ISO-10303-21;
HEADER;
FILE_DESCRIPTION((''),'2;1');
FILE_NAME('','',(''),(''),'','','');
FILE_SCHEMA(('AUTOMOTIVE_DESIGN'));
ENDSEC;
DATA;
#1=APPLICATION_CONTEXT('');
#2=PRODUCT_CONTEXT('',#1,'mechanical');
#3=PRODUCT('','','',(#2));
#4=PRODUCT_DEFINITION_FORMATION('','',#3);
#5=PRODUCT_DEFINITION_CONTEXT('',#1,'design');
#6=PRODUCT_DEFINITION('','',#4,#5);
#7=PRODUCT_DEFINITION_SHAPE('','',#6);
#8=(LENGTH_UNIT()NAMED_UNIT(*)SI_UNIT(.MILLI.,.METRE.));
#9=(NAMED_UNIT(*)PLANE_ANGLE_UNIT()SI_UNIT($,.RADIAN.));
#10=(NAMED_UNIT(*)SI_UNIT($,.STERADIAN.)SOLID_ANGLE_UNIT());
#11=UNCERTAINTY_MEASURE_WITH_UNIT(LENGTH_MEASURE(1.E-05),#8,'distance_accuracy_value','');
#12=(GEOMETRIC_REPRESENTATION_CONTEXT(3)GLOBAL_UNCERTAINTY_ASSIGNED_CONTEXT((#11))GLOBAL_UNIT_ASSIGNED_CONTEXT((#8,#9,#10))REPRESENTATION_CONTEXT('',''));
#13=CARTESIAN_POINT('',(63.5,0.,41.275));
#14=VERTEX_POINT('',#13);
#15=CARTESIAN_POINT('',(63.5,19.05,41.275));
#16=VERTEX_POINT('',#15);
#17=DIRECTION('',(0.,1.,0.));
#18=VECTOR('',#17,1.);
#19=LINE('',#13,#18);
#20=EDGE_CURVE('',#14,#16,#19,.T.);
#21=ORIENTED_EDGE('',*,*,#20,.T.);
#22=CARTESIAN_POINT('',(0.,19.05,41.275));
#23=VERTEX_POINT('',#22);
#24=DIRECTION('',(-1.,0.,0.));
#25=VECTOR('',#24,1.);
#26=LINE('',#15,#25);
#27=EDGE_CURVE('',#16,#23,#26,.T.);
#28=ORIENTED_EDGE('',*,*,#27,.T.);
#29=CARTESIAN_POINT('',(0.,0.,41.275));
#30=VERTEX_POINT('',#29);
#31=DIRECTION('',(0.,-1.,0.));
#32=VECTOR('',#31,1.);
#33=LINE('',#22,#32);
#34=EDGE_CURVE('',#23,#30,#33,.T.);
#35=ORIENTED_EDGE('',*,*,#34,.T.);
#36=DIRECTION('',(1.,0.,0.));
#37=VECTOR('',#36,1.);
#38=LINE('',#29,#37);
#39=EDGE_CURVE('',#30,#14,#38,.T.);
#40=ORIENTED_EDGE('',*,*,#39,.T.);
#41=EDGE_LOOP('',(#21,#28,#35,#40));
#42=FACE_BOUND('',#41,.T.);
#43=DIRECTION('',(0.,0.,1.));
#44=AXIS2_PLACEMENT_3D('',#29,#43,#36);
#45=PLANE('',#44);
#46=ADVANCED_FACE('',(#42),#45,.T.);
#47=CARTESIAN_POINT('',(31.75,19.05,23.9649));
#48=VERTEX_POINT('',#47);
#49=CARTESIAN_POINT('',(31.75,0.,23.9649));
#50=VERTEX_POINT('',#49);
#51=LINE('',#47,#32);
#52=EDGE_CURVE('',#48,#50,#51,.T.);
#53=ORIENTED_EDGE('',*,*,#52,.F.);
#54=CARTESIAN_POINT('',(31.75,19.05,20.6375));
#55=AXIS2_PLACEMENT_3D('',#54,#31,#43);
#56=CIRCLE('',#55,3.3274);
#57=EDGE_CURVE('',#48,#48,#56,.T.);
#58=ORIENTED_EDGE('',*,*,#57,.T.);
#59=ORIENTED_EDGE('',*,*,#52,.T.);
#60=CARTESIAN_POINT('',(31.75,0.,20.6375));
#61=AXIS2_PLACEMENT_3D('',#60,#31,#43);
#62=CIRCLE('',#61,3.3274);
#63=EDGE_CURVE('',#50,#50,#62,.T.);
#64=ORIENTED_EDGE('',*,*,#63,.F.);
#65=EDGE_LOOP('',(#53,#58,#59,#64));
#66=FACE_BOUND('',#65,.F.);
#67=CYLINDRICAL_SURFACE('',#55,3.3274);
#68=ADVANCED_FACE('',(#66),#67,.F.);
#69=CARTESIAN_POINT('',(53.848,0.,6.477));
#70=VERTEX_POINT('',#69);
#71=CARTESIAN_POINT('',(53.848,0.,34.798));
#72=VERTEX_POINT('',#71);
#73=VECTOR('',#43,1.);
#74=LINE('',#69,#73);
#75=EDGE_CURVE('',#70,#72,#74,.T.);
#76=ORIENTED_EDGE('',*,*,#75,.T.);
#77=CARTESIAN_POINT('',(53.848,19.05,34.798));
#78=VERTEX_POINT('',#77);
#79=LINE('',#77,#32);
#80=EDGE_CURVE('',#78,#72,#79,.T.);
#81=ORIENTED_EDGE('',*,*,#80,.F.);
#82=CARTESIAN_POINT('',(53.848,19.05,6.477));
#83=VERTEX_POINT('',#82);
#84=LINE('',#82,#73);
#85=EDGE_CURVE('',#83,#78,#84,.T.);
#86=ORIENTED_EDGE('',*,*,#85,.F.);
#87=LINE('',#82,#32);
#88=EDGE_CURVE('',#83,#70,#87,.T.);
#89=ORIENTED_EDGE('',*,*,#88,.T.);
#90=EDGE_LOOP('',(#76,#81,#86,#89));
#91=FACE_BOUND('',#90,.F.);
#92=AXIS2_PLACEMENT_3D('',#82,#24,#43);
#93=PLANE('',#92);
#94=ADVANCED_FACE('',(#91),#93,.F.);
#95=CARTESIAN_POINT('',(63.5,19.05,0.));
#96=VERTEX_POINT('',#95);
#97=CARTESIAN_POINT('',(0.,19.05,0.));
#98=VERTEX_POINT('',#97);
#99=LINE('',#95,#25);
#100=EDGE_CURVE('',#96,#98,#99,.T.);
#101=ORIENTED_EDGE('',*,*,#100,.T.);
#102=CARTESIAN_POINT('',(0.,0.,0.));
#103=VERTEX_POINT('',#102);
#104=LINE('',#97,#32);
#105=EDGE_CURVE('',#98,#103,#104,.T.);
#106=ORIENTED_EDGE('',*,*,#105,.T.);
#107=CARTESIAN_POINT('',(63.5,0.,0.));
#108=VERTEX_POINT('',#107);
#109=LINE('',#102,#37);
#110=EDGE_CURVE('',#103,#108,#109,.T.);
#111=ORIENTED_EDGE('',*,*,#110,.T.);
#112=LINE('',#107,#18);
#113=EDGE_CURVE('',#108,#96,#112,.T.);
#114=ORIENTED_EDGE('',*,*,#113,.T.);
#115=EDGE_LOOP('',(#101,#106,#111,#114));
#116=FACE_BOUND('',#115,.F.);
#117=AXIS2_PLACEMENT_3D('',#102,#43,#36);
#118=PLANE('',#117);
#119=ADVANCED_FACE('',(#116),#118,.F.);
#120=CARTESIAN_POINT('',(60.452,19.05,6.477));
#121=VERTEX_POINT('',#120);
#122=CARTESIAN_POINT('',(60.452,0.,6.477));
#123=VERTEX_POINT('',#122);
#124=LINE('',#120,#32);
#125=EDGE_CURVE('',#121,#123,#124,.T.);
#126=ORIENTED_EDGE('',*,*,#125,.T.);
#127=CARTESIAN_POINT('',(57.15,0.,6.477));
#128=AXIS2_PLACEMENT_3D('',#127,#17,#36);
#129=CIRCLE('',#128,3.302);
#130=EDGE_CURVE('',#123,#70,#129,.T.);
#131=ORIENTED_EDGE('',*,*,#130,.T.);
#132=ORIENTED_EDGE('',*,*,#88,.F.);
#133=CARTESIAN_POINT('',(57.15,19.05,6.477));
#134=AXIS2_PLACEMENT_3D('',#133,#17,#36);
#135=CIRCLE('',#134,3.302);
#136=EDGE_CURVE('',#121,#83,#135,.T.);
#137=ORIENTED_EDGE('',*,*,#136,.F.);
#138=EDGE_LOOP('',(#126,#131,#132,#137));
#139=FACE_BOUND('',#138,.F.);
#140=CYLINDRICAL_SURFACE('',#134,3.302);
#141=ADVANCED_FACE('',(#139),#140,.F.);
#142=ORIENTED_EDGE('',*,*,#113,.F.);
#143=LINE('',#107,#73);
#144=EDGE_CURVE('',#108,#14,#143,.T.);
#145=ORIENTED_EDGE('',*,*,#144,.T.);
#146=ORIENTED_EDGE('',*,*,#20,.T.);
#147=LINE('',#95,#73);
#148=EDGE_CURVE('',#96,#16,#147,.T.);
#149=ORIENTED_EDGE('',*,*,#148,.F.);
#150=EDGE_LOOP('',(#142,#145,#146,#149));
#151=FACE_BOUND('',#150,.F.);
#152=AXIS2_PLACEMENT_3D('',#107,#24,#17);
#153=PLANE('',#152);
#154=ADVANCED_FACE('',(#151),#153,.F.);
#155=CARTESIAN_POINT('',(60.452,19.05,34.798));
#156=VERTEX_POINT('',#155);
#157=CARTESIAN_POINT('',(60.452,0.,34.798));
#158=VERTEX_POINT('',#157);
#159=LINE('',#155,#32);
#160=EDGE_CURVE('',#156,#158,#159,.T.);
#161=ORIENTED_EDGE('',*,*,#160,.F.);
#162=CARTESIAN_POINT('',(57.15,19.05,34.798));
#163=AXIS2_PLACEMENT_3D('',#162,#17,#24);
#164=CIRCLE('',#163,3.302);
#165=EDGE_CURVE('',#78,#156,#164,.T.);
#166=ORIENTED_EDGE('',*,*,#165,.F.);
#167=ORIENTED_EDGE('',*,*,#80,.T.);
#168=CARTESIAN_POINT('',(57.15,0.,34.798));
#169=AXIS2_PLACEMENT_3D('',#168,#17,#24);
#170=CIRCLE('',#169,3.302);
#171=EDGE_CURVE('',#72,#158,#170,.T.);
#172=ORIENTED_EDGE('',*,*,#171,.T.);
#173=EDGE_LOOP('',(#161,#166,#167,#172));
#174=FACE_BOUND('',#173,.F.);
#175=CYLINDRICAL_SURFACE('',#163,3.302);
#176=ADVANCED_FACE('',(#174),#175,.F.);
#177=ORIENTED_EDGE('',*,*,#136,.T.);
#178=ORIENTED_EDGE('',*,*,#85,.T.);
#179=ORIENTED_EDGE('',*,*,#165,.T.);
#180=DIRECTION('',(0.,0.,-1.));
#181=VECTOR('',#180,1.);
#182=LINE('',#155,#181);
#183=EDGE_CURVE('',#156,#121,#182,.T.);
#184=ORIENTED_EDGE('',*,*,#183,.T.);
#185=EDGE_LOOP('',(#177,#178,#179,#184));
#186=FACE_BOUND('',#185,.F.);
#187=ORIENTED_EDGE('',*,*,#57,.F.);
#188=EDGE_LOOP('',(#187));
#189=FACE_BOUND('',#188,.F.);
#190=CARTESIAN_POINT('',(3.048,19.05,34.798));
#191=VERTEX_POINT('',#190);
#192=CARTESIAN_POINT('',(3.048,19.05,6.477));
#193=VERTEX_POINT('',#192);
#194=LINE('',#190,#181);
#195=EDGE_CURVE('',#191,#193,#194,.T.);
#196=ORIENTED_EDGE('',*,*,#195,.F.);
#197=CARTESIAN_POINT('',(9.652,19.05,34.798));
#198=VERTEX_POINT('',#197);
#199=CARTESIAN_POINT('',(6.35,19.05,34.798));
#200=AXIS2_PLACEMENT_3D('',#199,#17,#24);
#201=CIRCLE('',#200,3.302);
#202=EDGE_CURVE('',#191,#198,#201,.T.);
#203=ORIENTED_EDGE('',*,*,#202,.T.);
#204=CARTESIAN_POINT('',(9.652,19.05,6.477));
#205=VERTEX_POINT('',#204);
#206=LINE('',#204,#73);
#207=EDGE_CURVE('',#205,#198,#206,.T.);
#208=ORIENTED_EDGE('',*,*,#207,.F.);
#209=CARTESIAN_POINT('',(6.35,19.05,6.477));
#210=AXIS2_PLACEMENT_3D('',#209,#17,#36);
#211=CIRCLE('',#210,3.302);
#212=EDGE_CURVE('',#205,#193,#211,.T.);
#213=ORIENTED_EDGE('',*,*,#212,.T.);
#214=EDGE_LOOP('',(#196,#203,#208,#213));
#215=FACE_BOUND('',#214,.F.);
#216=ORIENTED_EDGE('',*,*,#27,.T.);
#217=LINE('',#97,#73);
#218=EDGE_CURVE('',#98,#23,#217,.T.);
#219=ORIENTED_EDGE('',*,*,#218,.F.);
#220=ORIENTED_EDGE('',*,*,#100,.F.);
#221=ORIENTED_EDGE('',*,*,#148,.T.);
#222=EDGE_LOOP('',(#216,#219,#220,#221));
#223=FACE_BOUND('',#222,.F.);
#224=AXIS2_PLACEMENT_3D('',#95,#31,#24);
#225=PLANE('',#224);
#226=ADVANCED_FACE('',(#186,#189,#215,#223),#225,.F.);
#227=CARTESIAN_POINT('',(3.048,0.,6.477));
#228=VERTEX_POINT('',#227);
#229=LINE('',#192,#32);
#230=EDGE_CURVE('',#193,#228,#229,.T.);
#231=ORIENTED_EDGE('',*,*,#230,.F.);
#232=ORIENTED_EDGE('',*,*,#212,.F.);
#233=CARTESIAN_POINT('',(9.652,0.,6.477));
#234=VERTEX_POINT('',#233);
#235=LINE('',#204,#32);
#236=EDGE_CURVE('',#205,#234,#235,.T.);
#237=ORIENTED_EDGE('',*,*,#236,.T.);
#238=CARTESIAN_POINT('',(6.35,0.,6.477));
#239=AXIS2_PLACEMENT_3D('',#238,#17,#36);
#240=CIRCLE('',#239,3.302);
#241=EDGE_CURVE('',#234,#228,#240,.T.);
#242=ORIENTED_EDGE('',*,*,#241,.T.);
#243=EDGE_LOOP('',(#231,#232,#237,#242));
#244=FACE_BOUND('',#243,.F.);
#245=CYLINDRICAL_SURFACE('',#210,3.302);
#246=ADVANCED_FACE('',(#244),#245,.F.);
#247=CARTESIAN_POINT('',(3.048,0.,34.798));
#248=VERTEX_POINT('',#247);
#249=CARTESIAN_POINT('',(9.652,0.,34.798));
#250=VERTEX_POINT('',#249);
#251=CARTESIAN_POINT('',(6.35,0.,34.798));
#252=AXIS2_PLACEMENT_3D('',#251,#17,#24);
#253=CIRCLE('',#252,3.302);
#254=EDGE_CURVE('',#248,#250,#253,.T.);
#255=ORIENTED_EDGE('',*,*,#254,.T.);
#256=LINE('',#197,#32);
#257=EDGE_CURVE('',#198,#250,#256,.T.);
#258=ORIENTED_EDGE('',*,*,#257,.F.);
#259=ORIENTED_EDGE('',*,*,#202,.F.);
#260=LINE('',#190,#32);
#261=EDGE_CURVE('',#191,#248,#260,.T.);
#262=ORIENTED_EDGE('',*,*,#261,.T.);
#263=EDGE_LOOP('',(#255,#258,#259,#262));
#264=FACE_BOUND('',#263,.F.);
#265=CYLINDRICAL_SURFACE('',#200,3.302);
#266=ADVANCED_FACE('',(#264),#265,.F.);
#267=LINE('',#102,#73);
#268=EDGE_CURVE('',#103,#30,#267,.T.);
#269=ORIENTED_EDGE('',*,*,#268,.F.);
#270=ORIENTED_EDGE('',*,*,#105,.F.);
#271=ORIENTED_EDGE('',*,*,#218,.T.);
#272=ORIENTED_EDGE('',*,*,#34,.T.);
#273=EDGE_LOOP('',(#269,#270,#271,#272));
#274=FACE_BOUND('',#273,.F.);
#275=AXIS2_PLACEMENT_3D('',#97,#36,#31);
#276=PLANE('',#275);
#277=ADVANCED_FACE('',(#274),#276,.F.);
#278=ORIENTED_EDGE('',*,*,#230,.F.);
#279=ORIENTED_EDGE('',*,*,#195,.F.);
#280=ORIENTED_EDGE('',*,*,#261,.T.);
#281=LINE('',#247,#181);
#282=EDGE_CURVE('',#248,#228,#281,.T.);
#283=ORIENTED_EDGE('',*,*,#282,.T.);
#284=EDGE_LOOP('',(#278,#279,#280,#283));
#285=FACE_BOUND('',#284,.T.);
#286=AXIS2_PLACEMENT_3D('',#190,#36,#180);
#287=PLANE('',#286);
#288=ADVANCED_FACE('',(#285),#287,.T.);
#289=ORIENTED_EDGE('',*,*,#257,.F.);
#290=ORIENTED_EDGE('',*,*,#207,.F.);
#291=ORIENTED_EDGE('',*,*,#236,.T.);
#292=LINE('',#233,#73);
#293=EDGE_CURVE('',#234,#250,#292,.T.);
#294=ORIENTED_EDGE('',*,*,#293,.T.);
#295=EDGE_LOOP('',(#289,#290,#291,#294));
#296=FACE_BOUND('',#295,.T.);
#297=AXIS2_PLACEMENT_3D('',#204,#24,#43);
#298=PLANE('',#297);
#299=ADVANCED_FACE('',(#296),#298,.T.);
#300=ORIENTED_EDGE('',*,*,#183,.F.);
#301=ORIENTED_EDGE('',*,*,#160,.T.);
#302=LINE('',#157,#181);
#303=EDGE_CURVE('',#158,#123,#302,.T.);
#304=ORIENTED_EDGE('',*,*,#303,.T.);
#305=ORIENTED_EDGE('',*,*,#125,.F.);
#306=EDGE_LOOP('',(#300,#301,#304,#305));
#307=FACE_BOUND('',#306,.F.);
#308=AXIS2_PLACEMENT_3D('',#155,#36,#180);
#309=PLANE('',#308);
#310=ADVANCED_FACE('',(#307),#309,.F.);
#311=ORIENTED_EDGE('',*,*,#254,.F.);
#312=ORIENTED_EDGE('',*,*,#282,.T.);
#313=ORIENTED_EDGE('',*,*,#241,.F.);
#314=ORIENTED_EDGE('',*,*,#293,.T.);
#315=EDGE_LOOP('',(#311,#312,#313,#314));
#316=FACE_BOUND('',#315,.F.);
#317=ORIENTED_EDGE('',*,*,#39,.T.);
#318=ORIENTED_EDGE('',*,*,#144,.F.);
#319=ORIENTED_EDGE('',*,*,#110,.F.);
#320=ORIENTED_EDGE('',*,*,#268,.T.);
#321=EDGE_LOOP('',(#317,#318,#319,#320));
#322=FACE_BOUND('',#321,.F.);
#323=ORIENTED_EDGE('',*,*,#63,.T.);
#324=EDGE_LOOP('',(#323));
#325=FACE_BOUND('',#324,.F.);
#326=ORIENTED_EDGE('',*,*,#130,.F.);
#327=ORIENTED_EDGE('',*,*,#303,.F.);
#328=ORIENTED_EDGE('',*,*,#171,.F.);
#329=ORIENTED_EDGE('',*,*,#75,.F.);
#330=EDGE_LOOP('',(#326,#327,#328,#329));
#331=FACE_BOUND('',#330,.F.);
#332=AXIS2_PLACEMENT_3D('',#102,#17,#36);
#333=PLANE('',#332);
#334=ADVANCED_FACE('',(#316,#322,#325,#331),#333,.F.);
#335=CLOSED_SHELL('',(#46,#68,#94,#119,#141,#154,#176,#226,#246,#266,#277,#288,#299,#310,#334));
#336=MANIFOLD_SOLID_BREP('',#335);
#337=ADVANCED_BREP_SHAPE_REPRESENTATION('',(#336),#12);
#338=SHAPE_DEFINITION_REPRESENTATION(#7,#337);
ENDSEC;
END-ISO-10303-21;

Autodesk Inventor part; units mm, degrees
ref_plane "YZ Plane" through (0, 0, 0) normal (1, 0, 0) x (0, 1, 0)
ref_plane "XZ Plane" through (0, 0, 0) normal (0, 1, 0) x (-1, 0, 0)
ref_plane "XY Plane" through (0, 0, 0) normal (0, 0, 1) x (1, 0, 0)
sketch "Sketch1" plane through (0, 0, 0) normal (0, 0, 1) x (1, 0, 0)
  line L0 (0, 0) -> (63.5, 0)
  line L1 (63.5, 0) -> (63.5, 19.05)
  line L2 (63.5, 19.05) -> (0, 19.05)
  line L3 (0, 19.05) -> (0, 0)
  dimension "d2" = 63.5
  dimension "d3" = 19.05
extrude "Stock Block" add sketch "Sketch1" along normal blind 41.275
sketch "Sketch2" plane through (0, 19.05, 0) normal (0, 1, 0) x (1, 0, 0)
  line L0 (63.5, 0) -> (0, 0) projected
  line L1 (0, 0) -> (0, -41.275) projected
  point P0 (31.75, -20.6375)
  dimension "d4" = 20.6375
  dimension "d5" = 31.75
hole "Mounting Hole" at (31.75, 19.05, 20.6375) direction (0, -1, 0) diameter 6.6548 end through all
sketch "Sketch3" plane through (0, 19.05, 0) normal (0, 1, 0) x (1, 0, 0)
  line L0 (6.35, -34.798) -> (6.35, -6.477) construction
  line L1 (3.048, -34.798) -> (3.048, -6.477)
  line L2 (9.652, -6.477) -> (9.652, -34.798)
  arc A0 (3.048, -34.798) -> (9.652, -34.798) centre (6.35, -34.798) ccw
  arc A1 (9.652, -6.477) -> (3.048, -6.477) centre (6.35, -6.477) ccw
  line L3 (0, 0) -> (0, -41.275) projected
  line L4 (63.5, -41.275) -> (0, -41.275) projected
  line L5 (63.5, 0) -> (0, 0) projected
  circle A2 centre (31.75, -20.6375) radius 3.3274 projected
  line L6 (31.75, -20.6375) -> (31.75, 0) construction
  line L7 (57.15, -34.798) -> (57.15, -6.477) construction
  line L8 (60.452, -34.798) -> (60.452, -6.477)
  line L9 (53.848, -6.477) -> (53.848, -34.798)
  arc A3 (53.848, -34.798) -> (60.452, -34.798) centre (57.15, -34.798) ccw
  arc A4 (60.452, -6.477) -> (53.848, -6.477) centre (57.15, -6.477) ccw
  point P0 (6.35, -20.6375)
  point P1 (57.15, -20.6375)
  dimension "d13" = 6.604
  dimension "d15" = 3.175
  dimension "d16" = 3.175
  dimension "d24" = 25.4
extrude "Slots" cut sketch "Sketch3" against normal up to surface (19.05 mm away) contours L1 A1 L2 A0 | A3 L9 A4 L8
properties part number "Track Foot" material "Aluminum 6061"
